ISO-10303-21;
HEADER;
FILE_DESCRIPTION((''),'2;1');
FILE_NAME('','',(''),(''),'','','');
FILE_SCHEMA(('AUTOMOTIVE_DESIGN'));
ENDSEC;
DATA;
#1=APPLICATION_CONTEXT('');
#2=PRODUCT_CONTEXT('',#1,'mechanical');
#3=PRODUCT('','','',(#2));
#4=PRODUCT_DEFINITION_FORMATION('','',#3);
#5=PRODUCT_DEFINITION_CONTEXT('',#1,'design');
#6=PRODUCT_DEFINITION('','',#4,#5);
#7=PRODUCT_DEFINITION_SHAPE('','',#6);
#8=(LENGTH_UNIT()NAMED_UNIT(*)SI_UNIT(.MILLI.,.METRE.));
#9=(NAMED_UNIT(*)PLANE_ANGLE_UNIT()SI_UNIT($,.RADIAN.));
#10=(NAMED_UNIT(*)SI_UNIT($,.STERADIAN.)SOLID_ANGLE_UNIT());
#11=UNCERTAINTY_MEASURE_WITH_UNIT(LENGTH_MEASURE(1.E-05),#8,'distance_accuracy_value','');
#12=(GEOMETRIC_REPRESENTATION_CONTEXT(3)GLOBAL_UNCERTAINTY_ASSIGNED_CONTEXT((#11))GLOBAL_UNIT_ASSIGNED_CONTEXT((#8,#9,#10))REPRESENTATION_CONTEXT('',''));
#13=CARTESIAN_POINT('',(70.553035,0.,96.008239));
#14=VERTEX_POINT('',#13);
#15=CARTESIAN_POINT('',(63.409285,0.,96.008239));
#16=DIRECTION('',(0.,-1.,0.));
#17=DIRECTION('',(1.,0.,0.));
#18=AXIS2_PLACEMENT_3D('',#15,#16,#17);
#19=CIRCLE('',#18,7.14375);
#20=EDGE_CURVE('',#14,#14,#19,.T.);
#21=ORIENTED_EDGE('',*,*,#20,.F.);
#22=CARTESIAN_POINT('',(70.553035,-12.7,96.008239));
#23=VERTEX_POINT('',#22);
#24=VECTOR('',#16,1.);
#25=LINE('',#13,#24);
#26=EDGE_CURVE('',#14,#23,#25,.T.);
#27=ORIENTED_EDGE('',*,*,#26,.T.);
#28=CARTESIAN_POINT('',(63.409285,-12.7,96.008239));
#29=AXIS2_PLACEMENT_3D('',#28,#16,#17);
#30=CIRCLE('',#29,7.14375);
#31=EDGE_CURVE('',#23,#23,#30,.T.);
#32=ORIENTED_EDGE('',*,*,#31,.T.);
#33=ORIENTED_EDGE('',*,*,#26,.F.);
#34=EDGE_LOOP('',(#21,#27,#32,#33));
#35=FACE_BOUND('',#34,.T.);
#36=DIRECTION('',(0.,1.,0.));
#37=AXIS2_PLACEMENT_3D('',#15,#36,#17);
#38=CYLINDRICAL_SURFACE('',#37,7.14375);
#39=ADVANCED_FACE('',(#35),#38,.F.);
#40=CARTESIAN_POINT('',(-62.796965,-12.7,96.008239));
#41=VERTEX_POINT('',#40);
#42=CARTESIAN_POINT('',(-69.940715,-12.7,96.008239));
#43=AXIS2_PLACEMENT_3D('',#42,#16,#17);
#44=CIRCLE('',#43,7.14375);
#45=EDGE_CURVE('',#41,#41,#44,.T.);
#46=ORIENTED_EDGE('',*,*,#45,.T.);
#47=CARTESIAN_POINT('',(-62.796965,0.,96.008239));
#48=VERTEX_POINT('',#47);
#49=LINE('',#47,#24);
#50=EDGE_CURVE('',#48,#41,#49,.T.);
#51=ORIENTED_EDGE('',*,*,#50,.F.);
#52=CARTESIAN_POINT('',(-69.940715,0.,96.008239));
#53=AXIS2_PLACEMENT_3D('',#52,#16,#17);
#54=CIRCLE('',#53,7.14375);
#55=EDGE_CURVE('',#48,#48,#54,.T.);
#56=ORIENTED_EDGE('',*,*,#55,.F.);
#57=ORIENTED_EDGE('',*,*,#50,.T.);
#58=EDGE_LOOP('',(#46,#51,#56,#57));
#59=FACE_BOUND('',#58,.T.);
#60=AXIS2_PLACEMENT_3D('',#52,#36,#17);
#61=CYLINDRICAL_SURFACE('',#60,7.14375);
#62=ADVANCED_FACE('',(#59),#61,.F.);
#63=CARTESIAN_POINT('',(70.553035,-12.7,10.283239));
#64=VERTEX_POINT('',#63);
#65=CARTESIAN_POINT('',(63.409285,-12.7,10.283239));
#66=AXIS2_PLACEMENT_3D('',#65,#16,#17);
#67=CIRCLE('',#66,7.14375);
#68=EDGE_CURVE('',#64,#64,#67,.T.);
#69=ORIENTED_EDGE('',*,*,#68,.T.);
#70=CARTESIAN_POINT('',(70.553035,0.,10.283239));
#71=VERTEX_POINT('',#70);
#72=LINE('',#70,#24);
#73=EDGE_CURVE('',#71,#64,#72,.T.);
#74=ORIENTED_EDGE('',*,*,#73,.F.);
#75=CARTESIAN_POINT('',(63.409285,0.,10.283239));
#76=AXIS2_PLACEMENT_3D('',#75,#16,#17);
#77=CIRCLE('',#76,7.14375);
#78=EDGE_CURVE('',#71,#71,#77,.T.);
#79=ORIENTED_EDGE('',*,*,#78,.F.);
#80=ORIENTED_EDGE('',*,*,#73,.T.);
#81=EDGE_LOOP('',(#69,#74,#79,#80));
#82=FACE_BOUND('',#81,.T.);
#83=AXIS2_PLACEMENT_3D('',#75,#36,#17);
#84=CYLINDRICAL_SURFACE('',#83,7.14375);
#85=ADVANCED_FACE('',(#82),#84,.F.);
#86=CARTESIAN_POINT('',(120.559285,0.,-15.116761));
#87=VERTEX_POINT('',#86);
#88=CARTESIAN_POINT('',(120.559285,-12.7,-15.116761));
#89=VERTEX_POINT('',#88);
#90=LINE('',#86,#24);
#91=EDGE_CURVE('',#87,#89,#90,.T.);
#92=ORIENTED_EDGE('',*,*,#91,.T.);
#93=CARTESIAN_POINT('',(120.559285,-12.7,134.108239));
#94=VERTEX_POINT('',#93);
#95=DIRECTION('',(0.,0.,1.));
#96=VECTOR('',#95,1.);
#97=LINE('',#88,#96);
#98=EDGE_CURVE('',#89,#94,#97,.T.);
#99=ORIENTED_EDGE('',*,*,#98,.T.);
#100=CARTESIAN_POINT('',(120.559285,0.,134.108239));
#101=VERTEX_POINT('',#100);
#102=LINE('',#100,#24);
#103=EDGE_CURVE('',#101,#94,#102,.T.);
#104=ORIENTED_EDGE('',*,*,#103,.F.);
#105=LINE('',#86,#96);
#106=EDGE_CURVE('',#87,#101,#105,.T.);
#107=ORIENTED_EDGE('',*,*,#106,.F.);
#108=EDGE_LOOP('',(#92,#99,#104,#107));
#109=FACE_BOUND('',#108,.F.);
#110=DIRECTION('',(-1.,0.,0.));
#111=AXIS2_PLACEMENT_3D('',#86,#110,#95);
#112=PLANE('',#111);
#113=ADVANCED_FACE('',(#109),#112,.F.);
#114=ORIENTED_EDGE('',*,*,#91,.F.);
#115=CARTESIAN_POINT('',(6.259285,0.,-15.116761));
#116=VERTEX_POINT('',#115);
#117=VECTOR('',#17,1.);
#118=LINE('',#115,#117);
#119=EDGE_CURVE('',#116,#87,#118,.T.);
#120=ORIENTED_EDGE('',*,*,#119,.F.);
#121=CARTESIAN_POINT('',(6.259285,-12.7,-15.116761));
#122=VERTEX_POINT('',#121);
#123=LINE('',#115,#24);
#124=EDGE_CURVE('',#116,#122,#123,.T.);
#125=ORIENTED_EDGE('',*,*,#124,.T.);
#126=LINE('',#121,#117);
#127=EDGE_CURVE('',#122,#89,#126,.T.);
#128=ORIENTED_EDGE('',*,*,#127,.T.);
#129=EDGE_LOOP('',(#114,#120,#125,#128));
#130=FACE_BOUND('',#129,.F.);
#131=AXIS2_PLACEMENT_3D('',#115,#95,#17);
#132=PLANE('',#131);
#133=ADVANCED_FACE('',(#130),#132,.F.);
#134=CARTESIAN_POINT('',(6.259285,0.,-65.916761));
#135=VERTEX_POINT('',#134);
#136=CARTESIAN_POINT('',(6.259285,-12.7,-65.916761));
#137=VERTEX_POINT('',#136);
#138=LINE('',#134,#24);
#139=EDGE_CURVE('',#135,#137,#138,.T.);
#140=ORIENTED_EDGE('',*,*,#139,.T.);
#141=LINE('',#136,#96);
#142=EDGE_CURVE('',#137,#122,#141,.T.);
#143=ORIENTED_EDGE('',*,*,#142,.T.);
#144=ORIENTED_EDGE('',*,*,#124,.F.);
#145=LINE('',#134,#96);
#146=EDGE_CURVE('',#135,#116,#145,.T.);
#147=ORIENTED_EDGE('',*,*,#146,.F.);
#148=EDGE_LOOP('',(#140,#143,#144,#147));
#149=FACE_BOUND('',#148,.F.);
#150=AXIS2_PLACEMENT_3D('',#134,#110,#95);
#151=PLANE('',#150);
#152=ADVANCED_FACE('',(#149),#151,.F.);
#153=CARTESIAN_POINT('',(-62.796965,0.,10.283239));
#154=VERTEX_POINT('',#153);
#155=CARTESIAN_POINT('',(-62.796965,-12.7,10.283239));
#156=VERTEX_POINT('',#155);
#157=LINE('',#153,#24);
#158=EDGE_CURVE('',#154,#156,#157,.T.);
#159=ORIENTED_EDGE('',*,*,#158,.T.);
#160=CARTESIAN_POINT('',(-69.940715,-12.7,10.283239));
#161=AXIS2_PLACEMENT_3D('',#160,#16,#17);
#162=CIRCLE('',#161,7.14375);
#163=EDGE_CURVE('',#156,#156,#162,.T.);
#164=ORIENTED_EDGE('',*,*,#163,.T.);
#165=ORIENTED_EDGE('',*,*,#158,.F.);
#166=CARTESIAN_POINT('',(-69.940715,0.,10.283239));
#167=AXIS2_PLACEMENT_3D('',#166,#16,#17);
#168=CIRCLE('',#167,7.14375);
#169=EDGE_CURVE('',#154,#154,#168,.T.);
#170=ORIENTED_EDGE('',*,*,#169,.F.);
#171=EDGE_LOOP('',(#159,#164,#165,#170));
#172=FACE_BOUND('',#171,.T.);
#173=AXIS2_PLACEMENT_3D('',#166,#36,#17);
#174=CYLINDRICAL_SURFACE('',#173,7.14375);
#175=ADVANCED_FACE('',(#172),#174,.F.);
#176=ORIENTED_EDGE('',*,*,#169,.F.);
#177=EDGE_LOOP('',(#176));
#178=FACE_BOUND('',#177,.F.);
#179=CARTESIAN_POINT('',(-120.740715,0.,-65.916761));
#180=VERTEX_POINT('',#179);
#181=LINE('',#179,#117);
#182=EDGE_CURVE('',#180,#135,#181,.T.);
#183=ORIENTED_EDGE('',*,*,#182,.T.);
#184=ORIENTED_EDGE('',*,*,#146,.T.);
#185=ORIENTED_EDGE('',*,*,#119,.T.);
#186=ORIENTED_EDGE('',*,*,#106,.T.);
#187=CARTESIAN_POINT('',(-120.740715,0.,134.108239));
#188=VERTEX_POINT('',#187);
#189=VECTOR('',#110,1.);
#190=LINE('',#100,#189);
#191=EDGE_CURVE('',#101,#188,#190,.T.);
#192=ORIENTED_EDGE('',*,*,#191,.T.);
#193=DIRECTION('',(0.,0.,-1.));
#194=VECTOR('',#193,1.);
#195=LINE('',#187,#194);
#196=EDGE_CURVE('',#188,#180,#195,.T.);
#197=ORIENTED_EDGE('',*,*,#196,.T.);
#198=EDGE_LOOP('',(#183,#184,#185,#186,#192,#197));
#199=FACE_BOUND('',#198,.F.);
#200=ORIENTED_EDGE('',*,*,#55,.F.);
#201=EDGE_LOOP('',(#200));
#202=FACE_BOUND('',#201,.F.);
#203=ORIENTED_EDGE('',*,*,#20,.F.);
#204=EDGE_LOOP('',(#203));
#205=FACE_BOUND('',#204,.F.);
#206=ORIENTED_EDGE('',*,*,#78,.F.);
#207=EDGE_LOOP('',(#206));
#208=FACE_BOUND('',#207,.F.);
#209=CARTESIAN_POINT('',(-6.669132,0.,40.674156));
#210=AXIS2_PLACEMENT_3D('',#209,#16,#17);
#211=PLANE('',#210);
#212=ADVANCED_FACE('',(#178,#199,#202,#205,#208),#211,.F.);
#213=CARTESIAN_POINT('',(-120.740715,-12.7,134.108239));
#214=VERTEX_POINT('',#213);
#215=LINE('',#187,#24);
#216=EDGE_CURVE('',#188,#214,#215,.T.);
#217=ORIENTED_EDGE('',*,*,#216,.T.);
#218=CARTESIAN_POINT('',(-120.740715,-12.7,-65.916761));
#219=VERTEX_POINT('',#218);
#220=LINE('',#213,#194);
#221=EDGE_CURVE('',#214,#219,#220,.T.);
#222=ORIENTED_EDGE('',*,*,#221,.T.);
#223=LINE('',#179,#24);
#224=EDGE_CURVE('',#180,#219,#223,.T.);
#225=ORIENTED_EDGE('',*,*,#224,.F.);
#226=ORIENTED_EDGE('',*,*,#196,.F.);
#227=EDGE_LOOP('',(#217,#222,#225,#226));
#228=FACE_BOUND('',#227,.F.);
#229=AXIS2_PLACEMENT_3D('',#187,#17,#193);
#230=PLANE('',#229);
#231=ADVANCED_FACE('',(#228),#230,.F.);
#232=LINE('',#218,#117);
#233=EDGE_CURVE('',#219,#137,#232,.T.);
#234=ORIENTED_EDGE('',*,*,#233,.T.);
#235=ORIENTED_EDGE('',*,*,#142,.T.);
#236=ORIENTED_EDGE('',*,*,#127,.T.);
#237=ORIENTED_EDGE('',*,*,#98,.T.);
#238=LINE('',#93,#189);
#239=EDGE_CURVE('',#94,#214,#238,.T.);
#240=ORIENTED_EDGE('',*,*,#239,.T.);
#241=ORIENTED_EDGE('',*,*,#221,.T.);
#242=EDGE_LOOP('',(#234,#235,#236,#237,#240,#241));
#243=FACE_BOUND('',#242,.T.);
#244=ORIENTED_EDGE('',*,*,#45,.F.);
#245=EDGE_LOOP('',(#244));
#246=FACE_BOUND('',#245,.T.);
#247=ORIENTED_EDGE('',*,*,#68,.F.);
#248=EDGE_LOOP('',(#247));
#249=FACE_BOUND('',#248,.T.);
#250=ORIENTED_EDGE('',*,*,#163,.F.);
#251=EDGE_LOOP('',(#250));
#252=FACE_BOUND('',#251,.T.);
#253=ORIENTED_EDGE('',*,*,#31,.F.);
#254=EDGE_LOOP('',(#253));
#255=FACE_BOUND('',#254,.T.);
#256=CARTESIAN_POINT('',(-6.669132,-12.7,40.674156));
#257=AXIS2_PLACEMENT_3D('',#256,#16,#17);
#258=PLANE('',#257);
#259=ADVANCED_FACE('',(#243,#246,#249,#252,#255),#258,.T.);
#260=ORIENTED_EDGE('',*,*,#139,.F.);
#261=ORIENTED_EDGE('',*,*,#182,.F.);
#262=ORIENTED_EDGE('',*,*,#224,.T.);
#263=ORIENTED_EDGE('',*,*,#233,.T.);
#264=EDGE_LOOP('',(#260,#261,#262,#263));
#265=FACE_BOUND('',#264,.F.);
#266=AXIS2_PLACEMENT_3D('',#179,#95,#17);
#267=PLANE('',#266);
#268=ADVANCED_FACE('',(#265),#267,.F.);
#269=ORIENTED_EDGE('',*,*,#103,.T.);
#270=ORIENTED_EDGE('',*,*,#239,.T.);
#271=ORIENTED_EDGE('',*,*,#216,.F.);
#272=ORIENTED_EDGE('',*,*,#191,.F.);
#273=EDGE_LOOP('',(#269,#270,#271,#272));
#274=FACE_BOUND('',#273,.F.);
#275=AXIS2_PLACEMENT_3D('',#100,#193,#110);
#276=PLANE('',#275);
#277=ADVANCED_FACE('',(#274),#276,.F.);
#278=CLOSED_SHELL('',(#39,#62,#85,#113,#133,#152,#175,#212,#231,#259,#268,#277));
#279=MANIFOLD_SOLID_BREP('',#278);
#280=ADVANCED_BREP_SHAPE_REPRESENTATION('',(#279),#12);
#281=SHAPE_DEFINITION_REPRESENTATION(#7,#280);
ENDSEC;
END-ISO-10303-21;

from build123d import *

# Parameters (mm, degrees)
F0_R     = 7.14375
F1_DEPTH = 12.7


with BuildPart() as f1:
    # F0 (on Front) → F1 (new body)
    with BuildSketch(Plane.XZ):
        Polygon((120.559285, 134.108239), (-120.740715, 134.108239), (-120.740715, -65.916761), (6.259285, -65.916761), (6.259285, -15.116761), (120.559285, -15.116761), align=None)
        with Locations((-69.940715, 10.283239)):
            Circle(F0_R, mode=Mode.SUBTRACT)
        with Locations((63.409285, 10.283239)):
            Circle(F0_R, mode=Mode.SUBTRACT)
        with Locations((-69.940715, 96.008239)):
            Circle(F0_R, mode=Mode.SUBTRACT)
        with Locations((63.409285, 96.008239)):
            Circle(F0_R, mode=Mode.SUBTRACT)
    extrude(amount=F1_DEPTH)


solid = f1.part
